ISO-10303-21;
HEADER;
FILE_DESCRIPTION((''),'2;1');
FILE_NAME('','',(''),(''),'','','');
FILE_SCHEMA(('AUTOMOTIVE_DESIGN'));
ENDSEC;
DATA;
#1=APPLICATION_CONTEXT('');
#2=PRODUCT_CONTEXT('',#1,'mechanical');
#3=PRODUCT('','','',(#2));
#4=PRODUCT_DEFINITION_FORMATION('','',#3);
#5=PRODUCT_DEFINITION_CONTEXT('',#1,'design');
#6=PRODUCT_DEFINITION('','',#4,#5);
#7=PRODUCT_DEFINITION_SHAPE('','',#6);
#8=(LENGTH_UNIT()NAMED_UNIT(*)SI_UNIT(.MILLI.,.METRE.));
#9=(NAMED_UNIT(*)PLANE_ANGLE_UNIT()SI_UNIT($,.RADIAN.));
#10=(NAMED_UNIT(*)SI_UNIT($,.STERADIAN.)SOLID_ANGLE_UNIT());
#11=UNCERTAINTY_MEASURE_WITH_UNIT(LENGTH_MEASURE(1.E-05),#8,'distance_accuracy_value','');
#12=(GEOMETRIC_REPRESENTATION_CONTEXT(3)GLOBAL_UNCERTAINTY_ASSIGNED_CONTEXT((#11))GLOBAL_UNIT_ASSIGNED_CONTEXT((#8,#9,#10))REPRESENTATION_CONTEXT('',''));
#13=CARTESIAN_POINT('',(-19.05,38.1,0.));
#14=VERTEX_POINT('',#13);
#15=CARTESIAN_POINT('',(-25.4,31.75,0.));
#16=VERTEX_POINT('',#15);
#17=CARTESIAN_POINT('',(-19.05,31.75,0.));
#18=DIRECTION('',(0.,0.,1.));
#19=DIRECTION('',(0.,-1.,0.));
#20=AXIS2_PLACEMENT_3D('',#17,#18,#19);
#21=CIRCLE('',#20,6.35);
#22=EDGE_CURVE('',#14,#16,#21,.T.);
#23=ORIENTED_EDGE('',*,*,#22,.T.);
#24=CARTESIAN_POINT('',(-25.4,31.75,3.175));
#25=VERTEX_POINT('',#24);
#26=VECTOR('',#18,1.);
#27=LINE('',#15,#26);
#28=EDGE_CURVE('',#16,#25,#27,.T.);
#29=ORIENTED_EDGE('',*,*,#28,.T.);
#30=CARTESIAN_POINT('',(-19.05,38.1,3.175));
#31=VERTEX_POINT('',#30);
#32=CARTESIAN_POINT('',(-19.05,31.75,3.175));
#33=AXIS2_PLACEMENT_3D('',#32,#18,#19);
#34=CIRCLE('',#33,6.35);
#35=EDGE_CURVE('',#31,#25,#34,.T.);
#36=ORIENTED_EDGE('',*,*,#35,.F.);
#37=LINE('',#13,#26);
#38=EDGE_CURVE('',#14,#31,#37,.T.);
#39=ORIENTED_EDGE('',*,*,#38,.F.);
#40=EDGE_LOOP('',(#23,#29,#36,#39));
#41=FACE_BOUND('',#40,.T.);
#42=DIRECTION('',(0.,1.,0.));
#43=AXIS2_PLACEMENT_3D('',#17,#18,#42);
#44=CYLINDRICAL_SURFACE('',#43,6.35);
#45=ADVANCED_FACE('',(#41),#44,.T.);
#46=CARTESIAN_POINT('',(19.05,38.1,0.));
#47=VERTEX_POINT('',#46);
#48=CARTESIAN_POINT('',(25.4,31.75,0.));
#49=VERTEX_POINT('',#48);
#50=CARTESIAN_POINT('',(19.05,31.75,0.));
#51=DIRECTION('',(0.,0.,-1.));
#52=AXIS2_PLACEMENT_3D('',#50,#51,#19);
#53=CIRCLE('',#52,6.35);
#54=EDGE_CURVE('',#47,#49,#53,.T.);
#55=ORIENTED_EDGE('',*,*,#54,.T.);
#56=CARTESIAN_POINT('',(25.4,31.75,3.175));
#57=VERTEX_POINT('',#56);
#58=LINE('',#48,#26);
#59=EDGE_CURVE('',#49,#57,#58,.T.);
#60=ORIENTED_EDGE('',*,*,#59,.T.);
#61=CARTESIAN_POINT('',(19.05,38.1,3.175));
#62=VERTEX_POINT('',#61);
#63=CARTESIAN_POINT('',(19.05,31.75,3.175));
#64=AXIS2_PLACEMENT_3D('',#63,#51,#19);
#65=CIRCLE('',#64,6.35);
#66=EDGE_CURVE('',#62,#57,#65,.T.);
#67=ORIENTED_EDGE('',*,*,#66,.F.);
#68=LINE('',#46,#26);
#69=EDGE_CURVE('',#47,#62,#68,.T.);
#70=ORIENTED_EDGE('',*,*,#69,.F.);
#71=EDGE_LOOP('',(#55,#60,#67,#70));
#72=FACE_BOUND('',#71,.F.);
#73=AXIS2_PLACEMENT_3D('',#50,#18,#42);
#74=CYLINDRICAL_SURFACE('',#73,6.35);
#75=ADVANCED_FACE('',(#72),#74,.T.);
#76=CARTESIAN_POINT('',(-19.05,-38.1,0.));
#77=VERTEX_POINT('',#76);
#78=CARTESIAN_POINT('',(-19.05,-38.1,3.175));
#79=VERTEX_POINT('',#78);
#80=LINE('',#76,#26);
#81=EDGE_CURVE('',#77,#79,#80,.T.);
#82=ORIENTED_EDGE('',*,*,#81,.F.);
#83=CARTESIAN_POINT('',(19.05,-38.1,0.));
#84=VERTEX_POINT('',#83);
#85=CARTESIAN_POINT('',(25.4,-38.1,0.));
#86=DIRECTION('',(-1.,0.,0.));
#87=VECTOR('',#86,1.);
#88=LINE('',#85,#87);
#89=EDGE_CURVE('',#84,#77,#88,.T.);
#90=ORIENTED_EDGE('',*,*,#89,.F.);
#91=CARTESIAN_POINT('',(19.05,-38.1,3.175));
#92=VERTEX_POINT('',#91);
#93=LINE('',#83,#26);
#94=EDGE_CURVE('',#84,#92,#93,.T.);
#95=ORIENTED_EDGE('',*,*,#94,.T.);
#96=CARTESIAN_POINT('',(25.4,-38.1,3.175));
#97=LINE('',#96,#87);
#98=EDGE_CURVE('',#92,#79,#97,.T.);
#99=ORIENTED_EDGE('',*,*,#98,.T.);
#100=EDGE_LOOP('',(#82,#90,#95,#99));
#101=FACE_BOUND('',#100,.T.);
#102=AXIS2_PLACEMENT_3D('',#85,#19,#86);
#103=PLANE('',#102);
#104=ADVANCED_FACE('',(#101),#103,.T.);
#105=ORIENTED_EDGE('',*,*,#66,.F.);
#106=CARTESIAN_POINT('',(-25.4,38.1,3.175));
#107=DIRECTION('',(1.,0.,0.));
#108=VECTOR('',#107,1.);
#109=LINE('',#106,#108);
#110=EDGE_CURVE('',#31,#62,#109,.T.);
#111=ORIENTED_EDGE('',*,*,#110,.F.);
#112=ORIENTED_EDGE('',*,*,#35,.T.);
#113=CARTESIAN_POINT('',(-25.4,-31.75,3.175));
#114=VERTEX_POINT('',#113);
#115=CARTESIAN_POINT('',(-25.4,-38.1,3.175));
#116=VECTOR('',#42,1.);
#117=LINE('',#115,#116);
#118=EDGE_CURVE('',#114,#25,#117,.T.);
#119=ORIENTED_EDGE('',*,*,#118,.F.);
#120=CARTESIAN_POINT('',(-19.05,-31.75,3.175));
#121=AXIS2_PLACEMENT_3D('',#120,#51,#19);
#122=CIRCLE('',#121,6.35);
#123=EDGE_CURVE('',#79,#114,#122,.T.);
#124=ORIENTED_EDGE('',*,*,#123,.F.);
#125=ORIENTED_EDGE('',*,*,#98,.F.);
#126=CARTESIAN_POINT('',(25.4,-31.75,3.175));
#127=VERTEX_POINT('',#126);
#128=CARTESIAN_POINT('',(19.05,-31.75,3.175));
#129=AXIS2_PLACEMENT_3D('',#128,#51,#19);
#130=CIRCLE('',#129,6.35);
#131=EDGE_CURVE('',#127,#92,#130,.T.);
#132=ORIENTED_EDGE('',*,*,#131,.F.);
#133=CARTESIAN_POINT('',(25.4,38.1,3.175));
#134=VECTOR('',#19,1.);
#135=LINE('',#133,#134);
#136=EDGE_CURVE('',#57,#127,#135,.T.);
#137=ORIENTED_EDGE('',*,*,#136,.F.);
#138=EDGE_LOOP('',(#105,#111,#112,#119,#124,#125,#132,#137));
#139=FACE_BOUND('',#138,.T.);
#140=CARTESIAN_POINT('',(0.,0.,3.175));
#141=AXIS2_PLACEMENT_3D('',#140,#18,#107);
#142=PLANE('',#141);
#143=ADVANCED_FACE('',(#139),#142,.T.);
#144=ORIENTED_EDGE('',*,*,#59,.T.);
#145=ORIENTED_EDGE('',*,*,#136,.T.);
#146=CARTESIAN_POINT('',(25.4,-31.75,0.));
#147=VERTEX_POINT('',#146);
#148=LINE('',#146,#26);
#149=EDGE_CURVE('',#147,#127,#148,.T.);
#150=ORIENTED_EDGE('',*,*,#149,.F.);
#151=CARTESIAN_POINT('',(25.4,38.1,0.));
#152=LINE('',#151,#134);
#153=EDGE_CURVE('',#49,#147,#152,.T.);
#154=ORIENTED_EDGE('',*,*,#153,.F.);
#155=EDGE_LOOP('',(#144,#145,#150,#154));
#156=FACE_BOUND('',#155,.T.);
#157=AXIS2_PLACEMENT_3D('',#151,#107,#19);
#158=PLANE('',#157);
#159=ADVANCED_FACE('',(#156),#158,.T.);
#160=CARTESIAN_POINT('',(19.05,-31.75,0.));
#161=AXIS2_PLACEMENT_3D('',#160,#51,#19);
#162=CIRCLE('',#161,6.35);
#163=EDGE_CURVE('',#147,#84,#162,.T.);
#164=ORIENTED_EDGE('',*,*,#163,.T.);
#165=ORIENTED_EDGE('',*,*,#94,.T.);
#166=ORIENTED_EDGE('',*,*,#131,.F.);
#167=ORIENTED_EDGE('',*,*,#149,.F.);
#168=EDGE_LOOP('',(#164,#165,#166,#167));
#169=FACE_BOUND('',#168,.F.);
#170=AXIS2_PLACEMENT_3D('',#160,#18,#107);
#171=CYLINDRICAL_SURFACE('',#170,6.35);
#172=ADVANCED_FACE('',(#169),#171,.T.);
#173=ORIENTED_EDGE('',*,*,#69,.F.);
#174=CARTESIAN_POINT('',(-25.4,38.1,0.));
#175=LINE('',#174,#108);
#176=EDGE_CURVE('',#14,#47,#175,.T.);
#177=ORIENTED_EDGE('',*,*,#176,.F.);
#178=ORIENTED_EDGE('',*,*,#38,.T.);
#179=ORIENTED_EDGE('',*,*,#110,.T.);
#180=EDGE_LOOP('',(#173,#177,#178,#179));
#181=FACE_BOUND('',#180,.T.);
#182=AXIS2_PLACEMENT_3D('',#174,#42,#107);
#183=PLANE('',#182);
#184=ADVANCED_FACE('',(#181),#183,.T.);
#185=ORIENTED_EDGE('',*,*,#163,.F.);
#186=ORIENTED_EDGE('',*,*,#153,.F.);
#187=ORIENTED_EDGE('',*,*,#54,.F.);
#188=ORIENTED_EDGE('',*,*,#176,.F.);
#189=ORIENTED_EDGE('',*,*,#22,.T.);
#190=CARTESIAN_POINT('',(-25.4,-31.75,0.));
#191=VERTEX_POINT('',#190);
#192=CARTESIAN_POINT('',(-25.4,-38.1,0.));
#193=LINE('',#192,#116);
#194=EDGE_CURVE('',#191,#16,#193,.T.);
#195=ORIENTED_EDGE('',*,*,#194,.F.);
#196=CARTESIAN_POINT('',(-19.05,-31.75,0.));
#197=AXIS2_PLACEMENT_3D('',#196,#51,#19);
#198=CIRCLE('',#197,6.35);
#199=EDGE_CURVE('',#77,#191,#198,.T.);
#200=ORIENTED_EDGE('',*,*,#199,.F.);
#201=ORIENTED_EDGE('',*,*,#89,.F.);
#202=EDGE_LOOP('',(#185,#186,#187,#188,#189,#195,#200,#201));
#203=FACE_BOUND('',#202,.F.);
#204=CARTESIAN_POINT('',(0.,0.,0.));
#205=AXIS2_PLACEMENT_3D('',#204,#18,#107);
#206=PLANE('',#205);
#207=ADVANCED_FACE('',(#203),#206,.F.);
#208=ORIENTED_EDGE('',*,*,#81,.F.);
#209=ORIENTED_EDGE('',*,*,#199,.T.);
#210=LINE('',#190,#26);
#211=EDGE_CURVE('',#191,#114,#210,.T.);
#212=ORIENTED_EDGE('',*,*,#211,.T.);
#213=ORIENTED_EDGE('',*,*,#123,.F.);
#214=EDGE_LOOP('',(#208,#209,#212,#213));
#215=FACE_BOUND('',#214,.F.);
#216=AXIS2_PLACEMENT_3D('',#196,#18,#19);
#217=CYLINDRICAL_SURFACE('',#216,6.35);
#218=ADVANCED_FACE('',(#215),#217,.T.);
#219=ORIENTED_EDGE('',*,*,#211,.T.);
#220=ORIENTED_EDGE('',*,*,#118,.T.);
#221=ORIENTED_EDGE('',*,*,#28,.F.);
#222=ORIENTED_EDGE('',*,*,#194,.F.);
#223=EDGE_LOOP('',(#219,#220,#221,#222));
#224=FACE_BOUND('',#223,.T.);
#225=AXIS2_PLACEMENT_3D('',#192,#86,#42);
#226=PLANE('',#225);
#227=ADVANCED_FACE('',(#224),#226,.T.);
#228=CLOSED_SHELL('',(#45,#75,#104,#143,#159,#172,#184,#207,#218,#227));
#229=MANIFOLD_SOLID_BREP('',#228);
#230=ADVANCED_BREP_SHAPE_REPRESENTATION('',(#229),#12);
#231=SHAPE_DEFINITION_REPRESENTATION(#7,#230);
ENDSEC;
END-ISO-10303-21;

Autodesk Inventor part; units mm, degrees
ref_plane "YZ Plane" through (0, 0, 0) normal (1, 0, 0) x (0, 1, 0)
ref_plane "XZ Plane" through (0, 0, 0) normal (0, 1, 0) x (-1, 0, 0)
ref_plane "XY Plane" through (0, 0, 0) normal (0, 0, 1) x (1, 0, 0)
sketch "Sketch1" plane through (0, 0, 0) normal (0, 0, 1) x (1, 0, 0)
  line L0 (0, 20.1746) -> (0, -21.4461) construction
  line L1 (-20.2028, 0) -> (20.1685, 0) construction
  line L2 (-25.4, 38.1) -> (25.4, 38.1)
  line L3 (25.4, 38.1) -> (25.4, -38.1)
  line L4 (25.4, -38.1) -> (-25.4, -38.1)
  line L5 (-25.4, -38.1) -> (-25.4, 38.1)
  point P0 (0, 0)
  dimension "d0" = 76.2
  dimension "d1" = 38.1
  dimension "d2" = 50.8
  dimension "d3" = 25.4
extrude "Extrusion1" add sketch "Sketch1" along normal blind 3.175
fillet "Fillet1" radius 6.35 4 edges at (25.4, 38.1, 1.5875) (-25.4, 38.1, 1.5875) (25.4, -38.1, 1.5875) (-25.4, -38.1, 1.5875)
chamfer "Chamfer1" [suppressed]
equation "\"d0\" = height"
equation "\"d1\" = 0.5 * height"
equation "\"d2\" = width"
equation "\"d3\" = 0.5 * width"
equation "\"d4\" = thickness"
equation "\"d6\" = fillet"
equation "\"fillet\" = 6.35"
equation "\"chamfer\" = 0"
equation "\"thickness\" = 3.175"
equation "\"width\" = 50.8"
equation "\"height\" = 76.2"
properties part number "Plate Filleted Corners (mm) 50.8 x 76.2 x 3.175" material "Steel, Mild"
